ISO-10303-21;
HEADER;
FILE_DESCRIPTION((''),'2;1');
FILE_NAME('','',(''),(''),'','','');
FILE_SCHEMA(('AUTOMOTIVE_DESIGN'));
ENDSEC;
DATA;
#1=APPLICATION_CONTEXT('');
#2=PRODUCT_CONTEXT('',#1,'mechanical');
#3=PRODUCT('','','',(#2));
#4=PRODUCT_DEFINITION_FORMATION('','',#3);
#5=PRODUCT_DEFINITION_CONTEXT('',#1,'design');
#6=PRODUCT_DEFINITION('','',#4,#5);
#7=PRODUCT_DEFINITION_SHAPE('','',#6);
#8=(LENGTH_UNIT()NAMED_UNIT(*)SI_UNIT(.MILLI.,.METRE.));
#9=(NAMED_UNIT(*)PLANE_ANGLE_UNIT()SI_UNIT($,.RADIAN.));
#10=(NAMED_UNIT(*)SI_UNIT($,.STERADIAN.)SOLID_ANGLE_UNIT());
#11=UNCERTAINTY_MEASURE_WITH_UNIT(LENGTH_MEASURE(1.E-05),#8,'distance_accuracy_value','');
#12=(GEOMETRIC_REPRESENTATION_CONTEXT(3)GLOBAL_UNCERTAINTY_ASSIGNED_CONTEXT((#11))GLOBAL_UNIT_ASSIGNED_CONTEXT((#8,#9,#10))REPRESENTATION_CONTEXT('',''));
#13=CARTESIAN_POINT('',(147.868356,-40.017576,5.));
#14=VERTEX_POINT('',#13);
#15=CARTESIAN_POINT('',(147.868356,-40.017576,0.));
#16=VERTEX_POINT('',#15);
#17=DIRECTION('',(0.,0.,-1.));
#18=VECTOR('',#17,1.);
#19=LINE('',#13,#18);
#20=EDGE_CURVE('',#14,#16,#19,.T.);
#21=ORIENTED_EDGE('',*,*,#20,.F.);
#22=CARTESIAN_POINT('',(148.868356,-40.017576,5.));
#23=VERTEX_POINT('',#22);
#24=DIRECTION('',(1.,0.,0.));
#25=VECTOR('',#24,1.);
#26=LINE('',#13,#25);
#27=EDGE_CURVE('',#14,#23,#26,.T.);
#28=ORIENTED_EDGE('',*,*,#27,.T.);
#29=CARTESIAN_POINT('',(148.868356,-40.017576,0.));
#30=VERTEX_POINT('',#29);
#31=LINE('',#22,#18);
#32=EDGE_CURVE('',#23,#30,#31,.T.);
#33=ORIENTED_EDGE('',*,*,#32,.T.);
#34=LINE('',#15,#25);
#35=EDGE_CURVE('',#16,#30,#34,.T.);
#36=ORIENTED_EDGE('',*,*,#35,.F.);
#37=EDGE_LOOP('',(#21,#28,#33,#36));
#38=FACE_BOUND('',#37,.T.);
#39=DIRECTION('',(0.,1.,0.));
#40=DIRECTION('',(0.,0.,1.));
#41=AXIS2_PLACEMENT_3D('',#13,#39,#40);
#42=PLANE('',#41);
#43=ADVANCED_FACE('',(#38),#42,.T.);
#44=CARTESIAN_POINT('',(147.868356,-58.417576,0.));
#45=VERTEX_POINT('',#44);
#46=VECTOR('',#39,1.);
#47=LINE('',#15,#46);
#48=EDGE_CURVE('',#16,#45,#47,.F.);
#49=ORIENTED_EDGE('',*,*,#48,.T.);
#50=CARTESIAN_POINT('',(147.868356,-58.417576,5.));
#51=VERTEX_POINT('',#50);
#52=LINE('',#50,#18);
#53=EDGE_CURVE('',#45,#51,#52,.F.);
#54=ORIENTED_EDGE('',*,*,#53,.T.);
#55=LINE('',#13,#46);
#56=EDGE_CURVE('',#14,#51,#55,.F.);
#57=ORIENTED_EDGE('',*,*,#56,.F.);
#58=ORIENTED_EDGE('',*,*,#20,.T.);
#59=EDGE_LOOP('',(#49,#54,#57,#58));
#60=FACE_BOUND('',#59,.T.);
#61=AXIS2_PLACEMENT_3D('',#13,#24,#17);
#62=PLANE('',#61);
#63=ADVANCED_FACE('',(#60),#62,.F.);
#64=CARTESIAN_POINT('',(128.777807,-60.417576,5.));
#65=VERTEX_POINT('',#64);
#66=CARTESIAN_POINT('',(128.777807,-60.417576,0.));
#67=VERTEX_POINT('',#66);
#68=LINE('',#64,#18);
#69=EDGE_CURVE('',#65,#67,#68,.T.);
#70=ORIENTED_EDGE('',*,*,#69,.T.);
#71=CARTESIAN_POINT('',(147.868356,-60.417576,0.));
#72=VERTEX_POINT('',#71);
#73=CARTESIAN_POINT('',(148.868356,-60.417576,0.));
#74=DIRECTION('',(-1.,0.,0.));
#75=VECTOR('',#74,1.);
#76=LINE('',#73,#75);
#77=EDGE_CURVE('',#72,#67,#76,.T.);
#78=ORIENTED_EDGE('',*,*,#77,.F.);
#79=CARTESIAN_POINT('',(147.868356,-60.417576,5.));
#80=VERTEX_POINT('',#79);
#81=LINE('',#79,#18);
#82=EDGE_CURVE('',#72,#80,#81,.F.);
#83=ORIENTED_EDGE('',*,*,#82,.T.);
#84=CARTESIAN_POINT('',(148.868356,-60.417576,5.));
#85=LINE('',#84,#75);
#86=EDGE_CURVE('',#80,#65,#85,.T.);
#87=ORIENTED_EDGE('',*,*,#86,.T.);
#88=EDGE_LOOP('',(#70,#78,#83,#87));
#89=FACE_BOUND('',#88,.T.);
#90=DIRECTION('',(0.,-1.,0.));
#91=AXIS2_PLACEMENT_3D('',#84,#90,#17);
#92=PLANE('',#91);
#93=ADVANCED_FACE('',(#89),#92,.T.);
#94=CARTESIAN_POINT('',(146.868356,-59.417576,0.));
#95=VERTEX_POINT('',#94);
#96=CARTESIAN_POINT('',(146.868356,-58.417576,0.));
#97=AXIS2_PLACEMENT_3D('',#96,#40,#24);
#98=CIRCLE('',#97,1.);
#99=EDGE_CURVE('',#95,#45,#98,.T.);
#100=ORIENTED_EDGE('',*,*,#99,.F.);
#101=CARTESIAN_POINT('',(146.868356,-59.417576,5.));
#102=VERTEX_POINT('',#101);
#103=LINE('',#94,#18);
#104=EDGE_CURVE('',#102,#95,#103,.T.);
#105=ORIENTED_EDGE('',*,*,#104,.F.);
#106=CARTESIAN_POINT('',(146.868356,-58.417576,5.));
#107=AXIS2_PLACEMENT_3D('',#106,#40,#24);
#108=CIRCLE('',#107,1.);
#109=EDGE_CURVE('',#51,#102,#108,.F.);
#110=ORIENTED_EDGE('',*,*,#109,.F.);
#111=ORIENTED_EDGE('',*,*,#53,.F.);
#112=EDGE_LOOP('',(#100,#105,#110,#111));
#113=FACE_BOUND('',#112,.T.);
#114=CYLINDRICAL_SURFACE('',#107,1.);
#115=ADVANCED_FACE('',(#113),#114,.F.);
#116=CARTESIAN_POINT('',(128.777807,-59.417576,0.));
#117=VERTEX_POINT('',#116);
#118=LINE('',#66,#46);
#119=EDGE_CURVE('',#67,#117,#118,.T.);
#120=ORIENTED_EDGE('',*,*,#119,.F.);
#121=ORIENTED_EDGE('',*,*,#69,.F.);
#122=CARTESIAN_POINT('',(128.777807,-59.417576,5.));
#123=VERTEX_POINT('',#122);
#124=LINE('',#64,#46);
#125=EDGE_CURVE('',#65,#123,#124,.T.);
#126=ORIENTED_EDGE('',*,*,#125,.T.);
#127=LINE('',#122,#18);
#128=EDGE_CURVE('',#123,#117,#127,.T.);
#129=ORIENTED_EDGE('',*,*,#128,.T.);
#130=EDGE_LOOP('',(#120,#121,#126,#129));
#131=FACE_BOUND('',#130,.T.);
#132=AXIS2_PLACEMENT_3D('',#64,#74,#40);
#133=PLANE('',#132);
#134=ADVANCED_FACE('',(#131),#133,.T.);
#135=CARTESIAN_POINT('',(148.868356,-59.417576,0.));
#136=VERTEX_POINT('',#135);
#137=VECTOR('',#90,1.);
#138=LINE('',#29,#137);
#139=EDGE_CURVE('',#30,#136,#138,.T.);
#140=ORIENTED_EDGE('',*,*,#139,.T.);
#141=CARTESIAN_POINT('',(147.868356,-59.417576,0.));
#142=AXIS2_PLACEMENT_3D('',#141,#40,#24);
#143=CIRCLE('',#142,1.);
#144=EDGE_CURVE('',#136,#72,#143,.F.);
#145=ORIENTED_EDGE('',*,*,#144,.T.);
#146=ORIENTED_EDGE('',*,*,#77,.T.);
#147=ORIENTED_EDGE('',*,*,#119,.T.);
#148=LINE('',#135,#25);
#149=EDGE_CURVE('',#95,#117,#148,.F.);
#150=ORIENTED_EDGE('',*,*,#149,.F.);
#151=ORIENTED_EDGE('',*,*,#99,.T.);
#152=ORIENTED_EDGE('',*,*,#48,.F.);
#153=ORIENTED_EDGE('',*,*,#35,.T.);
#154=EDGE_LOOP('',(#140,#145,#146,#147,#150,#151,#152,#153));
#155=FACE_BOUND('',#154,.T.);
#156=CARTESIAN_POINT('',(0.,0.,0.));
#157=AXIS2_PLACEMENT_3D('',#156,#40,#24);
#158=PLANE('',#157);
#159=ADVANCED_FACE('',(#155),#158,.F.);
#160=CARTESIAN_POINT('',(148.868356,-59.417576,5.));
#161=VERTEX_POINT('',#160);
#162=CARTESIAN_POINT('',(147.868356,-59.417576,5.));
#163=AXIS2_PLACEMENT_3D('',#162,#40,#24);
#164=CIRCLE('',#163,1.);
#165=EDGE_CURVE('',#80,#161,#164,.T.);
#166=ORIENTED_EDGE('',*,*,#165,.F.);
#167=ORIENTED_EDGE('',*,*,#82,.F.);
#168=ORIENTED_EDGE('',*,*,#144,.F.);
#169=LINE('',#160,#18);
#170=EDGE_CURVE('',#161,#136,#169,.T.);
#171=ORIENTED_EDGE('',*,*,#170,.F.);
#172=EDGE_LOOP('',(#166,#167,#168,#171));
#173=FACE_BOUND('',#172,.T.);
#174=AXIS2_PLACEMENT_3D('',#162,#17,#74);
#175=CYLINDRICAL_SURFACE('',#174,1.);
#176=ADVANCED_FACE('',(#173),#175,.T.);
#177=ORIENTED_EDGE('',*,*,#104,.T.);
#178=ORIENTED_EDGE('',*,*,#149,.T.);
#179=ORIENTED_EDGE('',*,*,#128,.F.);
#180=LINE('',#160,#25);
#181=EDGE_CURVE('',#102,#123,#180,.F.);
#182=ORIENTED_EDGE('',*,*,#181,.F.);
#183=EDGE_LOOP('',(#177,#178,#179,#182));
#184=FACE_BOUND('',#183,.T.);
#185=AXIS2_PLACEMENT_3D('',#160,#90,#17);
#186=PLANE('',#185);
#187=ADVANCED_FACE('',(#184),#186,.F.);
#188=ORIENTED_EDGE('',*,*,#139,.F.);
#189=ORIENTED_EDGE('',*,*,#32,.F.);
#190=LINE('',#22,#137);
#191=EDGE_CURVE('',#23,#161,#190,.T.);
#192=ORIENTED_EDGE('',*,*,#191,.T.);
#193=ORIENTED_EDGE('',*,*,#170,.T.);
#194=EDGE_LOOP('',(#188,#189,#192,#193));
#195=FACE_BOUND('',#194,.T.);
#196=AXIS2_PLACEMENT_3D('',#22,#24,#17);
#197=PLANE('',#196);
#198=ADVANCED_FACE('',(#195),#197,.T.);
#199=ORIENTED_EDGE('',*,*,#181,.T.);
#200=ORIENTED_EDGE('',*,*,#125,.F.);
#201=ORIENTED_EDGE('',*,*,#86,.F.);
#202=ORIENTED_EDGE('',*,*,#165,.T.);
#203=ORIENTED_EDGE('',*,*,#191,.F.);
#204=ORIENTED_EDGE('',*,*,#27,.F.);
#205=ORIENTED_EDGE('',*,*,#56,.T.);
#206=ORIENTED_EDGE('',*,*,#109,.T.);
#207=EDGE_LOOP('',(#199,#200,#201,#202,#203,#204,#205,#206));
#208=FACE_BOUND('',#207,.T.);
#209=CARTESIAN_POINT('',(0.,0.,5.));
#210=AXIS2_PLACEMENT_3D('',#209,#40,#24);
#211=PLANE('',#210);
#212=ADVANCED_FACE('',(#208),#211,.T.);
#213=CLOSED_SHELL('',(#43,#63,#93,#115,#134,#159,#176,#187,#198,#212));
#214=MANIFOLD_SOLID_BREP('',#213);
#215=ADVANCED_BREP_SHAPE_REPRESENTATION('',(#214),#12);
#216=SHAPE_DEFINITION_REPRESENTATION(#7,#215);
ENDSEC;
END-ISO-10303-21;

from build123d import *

# Parameters (mm, degrees)
EKSTR_ZYON_NCE2_DEPTH = 5
RADYUS1_R             = 1


with BuildPart() as part:
    # Çizim1 → Ekstrüzyon-İnce2 (new body)
    with BuildSketch(Plane.XY):
        Polygon((148.868356189, -40.017575671), (148.868356189, -60.417575671), (128.777806905, -60.417575671), (128.777806905, -59.417575671), (147.868356189, -59.417575671), (147.868356189, -40.017575671), align=None)
    extrude(amount=EKSTR_ZYON_NCE2_DEPTH)

    # Radyus1
    radyus1_edges = [part.edges().sort_by_distance(p)[0] for p in [
        (147.868356189, -59.417575671, 2.5),
        (148.868356189, -60.417575671, 2.5),
    ]]
    fillet(radyus1_edges, radius=RADYUS1_R)


solid = part.part
